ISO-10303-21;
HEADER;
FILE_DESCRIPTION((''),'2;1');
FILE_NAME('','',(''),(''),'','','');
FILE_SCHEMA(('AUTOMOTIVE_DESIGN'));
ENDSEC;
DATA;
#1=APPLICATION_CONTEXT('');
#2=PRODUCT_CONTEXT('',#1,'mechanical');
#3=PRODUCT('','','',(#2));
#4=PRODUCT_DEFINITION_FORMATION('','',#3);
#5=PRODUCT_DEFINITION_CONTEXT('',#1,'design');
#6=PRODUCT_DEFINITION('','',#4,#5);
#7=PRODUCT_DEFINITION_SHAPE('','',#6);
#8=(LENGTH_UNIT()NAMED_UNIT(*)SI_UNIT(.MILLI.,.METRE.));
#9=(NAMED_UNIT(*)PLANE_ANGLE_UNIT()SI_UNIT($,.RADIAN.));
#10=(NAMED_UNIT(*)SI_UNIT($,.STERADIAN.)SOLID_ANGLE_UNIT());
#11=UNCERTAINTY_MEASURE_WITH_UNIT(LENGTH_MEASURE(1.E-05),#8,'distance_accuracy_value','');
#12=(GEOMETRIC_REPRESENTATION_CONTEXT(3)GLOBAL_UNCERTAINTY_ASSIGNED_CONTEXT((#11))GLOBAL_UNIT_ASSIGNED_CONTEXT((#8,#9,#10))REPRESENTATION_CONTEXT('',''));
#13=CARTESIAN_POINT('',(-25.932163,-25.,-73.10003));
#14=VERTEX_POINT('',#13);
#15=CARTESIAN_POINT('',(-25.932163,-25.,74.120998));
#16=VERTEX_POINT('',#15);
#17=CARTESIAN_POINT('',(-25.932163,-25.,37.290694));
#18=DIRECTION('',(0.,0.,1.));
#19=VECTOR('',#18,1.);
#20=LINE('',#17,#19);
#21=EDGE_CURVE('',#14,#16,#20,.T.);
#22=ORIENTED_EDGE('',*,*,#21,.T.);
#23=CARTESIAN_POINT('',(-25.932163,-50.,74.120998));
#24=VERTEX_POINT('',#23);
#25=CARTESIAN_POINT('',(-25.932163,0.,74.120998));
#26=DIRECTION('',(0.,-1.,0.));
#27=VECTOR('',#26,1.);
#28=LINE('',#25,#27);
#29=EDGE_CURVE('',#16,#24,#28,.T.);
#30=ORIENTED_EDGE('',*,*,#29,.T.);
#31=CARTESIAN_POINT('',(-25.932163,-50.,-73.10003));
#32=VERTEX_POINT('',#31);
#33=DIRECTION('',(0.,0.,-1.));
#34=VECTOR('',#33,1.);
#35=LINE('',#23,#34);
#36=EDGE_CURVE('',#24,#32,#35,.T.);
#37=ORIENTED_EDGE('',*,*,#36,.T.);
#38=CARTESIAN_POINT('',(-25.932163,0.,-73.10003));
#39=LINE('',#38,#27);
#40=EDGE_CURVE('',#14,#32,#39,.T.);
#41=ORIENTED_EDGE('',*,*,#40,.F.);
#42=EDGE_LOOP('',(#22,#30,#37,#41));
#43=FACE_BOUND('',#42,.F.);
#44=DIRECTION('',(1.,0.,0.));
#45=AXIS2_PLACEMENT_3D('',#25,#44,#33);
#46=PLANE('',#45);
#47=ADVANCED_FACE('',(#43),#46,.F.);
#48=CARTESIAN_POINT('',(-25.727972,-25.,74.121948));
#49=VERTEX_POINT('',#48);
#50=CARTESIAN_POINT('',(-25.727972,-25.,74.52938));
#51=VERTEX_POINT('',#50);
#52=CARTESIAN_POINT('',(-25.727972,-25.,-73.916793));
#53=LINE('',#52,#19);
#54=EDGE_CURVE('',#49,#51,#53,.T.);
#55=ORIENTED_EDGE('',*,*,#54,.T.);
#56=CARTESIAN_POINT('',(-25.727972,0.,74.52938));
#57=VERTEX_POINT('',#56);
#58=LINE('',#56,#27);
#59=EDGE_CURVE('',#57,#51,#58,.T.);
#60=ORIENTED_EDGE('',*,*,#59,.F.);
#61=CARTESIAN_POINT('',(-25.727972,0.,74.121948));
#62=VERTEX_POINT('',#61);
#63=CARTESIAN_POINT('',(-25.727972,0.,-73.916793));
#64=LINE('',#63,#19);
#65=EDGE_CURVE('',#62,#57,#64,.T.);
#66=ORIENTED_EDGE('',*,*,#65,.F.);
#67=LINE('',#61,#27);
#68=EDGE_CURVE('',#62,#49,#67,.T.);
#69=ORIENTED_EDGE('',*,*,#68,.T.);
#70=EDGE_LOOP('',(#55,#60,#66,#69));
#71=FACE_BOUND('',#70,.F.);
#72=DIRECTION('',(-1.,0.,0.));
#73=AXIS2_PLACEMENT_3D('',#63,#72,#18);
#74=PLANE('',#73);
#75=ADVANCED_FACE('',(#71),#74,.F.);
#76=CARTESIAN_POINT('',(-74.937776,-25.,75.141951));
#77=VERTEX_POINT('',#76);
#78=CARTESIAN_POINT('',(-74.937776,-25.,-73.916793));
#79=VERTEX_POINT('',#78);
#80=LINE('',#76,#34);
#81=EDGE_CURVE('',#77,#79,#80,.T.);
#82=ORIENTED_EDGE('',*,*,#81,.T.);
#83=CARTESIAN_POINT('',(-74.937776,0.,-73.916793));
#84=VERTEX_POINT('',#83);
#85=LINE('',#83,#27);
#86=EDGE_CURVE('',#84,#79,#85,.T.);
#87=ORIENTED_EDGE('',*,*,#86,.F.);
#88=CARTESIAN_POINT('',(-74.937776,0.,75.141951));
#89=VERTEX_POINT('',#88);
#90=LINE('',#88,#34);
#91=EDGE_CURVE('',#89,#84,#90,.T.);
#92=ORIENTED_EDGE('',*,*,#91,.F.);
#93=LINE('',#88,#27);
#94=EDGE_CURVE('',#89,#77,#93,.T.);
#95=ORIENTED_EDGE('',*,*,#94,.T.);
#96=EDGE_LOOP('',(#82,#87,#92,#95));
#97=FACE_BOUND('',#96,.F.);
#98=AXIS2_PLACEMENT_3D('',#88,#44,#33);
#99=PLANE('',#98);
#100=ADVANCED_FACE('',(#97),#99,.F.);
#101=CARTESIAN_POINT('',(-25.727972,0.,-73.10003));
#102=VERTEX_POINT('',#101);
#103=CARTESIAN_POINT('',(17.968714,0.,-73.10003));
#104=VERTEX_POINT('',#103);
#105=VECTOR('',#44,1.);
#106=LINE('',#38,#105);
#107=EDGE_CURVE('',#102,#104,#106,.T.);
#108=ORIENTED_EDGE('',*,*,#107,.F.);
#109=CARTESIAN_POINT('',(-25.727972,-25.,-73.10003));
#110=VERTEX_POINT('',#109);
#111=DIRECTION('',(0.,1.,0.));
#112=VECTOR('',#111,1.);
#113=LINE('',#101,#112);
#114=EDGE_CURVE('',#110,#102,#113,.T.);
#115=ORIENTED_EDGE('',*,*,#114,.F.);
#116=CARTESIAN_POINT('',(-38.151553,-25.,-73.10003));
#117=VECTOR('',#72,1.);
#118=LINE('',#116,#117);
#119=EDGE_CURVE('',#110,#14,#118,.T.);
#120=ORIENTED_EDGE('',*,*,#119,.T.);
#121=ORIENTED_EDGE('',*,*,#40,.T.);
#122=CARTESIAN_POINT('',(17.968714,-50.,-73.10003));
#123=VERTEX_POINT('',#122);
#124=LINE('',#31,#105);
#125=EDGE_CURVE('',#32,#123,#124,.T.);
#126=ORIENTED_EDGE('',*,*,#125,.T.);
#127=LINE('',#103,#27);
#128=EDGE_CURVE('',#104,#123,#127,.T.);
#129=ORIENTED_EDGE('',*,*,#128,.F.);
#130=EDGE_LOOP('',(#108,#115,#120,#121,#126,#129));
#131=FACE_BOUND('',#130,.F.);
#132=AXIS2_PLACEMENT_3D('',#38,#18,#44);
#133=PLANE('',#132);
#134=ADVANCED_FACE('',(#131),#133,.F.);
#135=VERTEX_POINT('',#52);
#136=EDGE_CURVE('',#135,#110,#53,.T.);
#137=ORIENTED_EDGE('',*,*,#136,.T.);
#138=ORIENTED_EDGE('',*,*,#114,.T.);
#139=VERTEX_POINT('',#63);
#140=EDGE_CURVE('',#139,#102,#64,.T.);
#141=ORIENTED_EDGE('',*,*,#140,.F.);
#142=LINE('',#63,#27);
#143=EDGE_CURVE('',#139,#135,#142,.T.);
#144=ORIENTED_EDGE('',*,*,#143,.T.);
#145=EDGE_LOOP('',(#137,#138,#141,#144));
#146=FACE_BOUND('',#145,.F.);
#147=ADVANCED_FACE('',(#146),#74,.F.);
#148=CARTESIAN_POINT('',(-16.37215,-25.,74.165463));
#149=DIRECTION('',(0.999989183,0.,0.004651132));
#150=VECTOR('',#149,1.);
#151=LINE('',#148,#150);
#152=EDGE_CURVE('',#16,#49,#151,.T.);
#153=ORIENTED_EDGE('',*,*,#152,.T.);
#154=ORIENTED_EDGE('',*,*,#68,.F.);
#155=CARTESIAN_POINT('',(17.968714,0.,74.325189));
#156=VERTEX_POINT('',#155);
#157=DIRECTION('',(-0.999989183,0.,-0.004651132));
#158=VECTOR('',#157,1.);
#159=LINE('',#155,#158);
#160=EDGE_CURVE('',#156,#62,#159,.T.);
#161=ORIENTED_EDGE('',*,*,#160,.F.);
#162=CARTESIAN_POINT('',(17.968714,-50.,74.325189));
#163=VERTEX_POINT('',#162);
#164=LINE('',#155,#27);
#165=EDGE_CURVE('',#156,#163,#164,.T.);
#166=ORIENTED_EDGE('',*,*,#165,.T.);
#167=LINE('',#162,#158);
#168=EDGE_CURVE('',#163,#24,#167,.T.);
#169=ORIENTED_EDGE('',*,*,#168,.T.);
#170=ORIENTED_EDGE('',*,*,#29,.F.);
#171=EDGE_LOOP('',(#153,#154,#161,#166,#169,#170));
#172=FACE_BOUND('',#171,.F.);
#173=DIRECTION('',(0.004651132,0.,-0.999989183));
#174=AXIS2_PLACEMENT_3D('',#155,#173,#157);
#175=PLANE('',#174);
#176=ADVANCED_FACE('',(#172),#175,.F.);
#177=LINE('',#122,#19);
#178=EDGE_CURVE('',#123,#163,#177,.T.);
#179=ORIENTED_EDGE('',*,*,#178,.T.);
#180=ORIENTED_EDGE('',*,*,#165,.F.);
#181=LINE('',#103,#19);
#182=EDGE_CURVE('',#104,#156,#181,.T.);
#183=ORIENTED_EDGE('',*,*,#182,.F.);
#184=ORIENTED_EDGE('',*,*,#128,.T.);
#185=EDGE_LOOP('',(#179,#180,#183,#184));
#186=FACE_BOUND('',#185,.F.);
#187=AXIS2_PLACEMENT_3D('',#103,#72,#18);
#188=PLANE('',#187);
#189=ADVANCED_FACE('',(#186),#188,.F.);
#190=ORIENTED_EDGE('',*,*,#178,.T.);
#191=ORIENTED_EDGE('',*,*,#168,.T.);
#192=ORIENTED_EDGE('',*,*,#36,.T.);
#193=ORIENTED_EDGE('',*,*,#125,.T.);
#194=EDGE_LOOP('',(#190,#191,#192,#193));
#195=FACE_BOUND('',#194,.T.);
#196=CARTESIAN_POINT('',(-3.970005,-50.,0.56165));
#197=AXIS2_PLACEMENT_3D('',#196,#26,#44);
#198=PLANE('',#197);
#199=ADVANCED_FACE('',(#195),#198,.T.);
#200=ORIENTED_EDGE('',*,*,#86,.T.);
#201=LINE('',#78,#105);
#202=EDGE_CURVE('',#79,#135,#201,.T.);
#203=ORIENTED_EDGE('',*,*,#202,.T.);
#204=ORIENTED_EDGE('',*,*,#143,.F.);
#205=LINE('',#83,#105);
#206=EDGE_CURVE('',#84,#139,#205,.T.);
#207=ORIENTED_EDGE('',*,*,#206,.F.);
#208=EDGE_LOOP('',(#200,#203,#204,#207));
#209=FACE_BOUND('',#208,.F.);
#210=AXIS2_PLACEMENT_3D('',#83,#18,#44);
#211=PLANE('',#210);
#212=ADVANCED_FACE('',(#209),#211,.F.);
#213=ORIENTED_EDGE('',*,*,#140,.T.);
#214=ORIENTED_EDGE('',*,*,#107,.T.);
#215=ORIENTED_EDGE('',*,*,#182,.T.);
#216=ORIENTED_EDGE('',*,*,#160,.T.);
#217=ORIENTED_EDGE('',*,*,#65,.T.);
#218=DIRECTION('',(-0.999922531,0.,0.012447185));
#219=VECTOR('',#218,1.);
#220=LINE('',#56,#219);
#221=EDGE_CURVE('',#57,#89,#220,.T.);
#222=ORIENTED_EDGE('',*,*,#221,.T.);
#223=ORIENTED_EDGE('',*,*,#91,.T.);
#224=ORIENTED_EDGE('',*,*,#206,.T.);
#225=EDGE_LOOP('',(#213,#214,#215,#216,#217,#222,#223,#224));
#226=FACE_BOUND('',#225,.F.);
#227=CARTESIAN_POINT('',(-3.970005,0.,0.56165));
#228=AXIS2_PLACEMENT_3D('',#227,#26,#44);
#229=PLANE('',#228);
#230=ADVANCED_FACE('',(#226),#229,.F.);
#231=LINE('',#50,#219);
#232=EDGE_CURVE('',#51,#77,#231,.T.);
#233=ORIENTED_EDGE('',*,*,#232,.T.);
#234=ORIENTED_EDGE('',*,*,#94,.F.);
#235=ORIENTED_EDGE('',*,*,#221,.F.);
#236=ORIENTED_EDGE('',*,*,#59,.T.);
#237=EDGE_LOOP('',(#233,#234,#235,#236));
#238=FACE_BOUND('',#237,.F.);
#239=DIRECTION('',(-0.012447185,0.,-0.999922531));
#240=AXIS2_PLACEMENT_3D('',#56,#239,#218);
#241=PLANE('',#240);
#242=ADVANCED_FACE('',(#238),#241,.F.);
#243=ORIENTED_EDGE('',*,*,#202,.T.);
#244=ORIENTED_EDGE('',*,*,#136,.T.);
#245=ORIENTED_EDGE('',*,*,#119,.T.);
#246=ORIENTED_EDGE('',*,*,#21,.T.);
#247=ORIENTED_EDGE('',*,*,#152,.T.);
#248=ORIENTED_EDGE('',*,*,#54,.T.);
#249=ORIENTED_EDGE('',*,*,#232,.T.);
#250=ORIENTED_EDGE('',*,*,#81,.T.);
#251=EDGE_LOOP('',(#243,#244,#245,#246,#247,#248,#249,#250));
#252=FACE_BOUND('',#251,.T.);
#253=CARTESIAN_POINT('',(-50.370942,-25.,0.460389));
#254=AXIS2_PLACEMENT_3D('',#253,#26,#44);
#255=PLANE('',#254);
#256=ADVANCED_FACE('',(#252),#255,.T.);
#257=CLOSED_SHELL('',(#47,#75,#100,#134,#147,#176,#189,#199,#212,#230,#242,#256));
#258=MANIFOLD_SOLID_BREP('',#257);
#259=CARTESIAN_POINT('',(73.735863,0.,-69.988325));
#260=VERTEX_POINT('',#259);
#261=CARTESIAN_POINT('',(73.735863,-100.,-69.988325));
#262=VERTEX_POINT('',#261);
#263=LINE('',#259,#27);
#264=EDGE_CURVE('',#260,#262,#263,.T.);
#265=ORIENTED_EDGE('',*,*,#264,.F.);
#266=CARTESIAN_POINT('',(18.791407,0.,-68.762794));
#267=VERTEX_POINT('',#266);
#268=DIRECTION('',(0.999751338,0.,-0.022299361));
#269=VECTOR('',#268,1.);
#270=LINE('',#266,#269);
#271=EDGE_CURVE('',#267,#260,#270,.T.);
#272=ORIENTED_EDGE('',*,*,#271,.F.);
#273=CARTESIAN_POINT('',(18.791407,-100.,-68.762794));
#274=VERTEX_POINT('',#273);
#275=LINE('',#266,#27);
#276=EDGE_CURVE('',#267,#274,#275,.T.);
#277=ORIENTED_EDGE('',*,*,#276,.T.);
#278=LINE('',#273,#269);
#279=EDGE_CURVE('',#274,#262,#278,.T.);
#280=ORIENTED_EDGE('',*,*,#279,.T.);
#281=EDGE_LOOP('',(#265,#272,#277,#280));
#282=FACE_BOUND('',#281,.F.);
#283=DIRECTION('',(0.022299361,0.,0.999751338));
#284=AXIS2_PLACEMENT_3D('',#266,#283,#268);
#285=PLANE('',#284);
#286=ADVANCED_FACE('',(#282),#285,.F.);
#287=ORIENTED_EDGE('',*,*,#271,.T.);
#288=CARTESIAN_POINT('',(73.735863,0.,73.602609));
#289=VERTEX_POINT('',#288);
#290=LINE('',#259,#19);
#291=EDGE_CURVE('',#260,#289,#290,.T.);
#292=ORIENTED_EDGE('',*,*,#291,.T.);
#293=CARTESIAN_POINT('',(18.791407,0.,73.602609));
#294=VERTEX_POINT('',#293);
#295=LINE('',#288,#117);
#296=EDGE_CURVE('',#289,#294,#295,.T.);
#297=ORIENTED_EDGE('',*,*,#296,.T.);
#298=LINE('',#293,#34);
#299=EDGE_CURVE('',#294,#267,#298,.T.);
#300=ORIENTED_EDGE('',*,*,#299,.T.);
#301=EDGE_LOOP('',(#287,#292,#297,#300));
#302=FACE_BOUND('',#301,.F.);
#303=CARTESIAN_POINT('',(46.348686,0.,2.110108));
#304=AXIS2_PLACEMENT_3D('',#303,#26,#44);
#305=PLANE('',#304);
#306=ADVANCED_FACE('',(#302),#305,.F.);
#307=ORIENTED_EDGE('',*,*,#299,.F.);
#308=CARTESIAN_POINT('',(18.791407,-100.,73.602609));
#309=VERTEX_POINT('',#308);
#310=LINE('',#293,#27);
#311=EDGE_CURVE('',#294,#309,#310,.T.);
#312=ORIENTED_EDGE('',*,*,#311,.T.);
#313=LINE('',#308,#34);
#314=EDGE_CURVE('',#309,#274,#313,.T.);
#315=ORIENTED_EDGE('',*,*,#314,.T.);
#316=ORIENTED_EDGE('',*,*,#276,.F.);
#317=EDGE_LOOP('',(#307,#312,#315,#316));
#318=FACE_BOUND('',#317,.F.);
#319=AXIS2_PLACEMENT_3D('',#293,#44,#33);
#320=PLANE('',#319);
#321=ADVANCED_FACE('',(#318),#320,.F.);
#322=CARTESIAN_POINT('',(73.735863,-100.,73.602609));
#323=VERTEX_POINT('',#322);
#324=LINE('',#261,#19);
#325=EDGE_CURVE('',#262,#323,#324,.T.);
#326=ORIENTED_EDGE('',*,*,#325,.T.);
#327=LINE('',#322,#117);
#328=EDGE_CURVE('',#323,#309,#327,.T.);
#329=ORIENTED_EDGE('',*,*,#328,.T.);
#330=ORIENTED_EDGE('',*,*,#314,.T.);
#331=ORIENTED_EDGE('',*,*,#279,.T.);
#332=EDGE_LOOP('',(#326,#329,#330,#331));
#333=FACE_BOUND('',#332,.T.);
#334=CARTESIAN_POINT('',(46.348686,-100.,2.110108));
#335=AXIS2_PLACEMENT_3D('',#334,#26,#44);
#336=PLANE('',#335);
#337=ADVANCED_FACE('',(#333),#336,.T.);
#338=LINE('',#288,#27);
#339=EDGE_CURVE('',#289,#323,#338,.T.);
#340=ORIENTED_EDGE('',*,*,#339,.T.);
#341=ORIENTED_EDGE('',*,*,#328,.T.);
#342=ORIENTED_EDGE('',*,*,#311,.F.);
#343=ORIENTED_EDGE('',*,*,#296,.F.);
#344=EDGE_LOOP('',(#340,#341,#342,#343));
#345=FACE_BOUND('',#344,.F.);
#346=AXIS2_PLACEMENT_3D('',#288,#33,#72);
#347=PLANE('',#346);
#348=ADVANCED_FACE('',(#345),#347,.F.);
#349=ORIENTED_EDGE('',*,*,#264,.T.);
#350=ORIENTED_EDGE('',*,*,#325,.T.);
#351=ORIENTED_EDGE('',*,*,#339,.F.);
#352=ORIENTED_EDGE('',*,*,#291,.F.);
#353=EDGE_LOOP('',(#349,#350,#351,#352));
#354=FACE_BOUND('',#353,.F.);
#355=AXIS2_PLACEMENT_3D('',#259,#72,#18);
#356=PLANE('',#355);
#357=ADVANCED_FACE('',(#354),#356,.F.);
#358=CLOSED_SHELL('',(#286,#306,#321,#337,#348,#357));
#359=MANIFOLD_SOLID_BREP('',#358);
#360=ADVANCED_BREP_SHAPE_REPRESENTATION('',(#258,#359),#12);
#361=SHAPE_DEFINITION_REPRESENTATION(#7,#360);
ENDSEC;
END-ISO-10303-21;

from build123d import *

# Parameters (mm, degrees)
F3_DEPTH = 25
F4_DEPTH = 50
F5_DEPTH = 100


with BuildPart() as f3:
    # F0 (on Front) → F3 (new body)
    with BuildSketch(Plane.XZ):
        Polygon((-25.727972, 74.52938), (-74.937776, 75.141951), (-74.937776, -73.916793), (-25.727972, -73.916793), align=None)
    extrude(amount=F3_DEPTH)

    # F1 (on Front) → F4 (join)
    with BuildSketch(Plane.XZ):
        Polygon((17.968714, 74.325189), (-25.932163, 74.120998), (-25.932163, -73.10003), (17.968714, -73.10003), align=None)
    extrude(amount=F4_DEPTH)


with BuildPart() as f5:
    # F2 (on Front) → F5 (new body)
    with BuildSketch(Plane.XZ):
        Polygon((18.791407, 73.602609), (18.791407, -68.762794), (73.735863, -69.988325), (73.735863, 73.602609), align=None)
    extrude(amount=F5_DEPTH)


solid = Compound([f3.part, f5.part])
